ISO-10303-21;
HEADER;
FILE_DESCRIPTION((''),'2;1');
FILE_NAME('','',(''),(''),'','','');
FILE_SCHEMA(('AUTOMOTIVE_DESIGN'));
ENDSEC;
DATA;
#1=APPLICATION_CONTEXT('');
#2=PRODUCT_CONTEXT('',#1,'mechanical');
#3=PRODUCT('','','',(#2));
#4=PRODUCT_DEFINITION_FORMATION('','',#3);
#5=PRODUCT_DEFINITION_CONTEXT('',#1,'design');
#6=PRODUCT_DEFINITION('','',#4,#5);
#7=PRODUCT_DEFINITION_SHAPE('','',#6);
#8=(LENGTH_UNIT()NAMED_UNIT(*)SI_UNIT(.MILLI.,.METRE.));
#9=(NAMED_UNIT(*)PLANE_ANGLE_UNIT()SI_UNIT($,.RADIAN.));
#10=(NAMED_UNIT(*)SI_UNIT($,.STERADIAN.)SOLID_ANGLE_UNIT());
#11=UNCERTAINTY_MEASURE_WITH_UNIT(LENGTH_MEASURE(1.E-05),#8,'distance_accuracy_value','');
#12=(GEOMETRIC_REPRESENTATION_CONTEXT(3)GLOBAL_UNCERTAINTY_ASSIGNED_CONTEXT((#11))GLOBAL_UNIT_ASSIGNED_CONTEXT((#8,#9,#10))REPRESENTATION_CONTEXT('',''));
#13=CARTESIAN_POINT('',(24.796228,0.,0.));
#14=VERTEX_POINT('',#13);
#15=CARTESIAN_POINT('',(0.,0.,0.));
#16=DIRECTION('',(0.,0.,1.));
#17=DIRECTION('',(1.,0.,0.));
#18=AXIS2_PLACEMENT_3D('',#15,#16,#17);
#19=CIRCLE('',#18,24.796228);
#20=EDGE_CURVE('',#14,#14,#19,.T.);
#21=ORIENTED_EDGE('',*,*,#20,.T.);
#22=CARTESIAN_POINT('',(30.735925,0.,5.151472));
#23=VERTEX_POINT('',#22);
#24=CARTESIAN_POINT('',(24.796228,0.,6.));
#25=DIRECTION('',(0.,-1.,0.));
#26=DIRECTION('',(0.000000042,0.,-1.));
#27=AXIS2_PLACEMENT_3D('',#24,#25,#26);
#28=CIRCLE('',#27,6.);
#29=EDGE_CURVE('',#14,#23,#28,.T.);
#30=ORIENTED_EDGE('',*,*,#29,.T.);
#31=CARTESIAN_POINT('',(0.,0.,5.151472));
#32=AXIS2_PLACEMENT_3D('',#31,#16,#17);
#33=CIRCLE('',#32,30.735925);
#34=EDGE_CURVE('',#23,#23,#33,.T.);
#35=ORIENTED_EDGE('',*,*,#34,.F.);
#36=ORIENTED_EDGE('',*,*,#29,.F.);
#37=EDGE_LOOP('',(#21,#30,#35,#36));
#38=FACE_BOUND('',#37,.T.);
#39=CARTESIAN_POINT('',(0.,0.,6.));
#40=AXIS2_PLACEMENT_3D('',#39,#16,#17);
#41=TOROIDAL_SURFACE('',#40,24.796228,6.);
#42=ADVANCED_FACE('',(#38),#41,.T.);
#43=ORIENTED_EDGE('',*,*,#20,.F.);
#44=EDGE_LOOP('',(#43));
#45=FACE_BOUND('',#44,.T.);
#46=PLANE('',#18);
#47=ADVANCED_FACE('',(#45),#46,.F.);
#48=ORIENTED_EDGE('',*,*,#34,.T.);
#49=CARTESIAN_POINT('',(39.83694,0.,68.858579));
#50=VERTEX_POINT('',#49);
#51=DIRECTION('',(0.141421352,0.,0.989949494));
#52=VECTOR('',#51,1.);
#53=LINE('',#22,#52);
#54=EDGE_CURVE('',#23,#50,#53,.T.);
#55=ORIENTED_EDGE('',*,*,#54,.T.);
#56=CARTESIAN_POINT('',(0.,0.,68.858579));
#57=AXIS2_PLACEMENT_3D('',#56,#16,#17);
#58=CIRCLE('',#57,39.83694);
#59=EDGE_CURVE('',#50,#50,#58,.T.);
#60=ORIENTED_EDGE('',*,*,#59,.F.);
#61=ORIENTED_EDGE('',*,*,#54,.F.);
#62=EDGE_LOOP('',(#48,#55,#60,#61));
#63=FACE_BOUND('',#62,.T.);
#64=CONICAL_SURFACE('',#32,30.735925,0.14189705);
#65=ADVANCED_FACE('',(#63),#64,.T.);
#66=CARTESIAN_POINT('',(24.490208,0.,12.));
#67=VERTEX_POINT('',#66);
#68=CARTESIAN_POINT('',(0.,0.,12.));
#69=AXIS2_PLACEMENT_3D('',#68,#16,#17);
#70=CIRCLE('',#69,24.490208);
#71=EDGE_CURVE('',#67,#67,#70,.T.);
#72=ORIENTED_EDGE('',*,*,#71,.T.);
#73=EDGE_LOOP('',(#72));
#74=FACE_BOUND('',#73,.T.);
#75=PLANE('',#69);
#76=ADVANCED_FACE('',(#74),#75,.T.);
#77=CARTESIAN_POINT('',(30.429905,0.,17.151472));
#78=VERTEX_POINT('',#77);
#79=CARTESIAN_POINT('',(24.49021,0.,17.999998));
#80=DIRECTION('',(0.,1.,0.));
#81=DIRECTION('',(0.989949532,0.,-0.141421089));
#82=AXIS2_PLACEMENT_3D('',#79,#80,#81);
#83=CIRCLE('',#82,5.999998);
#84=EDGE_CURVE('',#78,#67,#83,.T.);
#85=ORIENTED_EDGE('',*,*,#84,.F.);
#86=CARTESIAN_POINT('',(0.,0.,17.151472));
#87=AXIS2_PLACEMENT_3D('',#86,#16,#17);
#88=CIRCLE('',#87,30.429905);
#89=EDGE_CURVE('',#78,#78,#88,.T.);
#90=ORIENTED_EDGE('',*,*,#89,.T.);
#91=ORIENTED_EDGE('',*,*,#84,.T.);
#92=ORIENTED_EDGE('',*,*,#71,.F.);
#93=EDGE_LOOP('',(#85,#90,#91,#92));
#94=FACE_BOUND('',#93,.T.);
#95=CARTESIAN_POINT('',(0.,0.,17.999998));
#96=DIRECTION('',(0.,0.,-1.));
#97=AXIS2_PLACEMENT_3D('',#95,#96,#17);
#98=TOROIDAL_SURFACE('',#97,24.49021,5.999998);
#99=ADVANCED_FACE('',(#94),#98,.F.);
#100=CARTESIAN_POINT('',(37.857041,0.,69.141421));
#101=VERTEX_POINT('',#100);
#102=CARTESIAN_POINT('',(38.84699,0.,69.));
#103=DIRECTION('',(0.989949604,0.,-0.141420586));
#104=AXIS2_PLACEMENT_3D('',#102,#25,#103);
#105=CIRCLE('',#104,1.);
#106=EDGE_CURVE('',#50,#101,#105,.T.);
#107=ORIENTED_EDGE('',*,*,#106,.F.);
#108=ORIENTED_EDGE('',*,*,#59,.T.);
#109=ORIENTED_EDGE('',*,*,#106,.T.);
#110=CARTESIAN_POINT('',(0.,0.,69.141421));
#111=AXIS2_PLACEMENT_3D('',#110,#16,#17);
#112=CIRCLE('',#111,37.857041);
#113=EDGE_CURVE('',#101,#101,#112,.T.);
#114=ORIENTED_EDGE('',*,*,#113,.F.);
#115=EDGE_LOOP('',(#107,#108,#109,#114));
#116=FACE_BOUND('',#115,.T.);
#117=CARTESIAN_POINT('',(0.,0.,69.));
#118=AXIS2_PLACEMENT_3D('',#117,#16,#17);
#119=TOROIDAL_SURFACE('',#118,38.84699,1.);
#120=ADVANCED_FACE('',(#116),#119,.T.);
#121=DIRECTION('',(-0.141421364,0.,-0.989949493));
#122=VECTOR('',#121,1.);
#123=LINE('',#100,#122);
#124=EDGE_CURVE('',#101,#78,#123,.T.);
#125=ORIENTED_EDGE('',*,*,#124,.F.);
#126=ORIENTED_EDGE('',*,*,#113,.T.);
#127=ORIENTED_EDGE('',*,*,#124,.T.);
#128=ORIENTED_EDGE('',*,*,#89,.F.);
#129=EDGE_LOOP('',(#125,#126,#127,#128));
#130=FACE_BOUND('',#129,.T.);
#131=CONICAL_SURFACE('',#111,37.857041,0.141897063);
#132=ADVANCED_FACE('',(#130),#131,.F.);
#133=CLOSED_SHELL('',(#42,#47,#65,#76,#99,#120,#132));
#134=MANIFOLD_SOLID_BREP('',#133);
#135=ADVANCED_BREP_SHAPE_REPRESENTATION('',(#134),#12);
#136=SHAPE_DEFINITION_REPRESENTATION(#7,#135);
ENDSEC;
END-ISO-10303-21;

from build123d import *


with BuildPart() as f1:
    # F0 (on Front) → F1 (revolve)
    with BuildSketch(Plane.XZ):
        with BuildLine():
            Line((0, 12), (0, 0))
            Line((0, 0), (24.796228, 0))
            ThreePointArc((24.796228, 0), (28.727438, 1.467276), (30.735925, 5.151472))
            Line((30.735925, 5.151472), (39.83694, 68.858579))
            ThreePointArc((39.83694, 68.858579), (38.988412, 69.989949), (37.857041, 69.141421))
            Line((37.857041, 69.141421), (30.429905, 17.151472))
            ThreePointArc((30.429905, 17.151472), (28.421419, 13.467276), (24.490208, 12))
            Line((24.490208, 12), (0, 12))
        make_face()
    revolve(axis=Axis((0, 0, 41.755925), (0, 0, 1)))


solid = f1.part
